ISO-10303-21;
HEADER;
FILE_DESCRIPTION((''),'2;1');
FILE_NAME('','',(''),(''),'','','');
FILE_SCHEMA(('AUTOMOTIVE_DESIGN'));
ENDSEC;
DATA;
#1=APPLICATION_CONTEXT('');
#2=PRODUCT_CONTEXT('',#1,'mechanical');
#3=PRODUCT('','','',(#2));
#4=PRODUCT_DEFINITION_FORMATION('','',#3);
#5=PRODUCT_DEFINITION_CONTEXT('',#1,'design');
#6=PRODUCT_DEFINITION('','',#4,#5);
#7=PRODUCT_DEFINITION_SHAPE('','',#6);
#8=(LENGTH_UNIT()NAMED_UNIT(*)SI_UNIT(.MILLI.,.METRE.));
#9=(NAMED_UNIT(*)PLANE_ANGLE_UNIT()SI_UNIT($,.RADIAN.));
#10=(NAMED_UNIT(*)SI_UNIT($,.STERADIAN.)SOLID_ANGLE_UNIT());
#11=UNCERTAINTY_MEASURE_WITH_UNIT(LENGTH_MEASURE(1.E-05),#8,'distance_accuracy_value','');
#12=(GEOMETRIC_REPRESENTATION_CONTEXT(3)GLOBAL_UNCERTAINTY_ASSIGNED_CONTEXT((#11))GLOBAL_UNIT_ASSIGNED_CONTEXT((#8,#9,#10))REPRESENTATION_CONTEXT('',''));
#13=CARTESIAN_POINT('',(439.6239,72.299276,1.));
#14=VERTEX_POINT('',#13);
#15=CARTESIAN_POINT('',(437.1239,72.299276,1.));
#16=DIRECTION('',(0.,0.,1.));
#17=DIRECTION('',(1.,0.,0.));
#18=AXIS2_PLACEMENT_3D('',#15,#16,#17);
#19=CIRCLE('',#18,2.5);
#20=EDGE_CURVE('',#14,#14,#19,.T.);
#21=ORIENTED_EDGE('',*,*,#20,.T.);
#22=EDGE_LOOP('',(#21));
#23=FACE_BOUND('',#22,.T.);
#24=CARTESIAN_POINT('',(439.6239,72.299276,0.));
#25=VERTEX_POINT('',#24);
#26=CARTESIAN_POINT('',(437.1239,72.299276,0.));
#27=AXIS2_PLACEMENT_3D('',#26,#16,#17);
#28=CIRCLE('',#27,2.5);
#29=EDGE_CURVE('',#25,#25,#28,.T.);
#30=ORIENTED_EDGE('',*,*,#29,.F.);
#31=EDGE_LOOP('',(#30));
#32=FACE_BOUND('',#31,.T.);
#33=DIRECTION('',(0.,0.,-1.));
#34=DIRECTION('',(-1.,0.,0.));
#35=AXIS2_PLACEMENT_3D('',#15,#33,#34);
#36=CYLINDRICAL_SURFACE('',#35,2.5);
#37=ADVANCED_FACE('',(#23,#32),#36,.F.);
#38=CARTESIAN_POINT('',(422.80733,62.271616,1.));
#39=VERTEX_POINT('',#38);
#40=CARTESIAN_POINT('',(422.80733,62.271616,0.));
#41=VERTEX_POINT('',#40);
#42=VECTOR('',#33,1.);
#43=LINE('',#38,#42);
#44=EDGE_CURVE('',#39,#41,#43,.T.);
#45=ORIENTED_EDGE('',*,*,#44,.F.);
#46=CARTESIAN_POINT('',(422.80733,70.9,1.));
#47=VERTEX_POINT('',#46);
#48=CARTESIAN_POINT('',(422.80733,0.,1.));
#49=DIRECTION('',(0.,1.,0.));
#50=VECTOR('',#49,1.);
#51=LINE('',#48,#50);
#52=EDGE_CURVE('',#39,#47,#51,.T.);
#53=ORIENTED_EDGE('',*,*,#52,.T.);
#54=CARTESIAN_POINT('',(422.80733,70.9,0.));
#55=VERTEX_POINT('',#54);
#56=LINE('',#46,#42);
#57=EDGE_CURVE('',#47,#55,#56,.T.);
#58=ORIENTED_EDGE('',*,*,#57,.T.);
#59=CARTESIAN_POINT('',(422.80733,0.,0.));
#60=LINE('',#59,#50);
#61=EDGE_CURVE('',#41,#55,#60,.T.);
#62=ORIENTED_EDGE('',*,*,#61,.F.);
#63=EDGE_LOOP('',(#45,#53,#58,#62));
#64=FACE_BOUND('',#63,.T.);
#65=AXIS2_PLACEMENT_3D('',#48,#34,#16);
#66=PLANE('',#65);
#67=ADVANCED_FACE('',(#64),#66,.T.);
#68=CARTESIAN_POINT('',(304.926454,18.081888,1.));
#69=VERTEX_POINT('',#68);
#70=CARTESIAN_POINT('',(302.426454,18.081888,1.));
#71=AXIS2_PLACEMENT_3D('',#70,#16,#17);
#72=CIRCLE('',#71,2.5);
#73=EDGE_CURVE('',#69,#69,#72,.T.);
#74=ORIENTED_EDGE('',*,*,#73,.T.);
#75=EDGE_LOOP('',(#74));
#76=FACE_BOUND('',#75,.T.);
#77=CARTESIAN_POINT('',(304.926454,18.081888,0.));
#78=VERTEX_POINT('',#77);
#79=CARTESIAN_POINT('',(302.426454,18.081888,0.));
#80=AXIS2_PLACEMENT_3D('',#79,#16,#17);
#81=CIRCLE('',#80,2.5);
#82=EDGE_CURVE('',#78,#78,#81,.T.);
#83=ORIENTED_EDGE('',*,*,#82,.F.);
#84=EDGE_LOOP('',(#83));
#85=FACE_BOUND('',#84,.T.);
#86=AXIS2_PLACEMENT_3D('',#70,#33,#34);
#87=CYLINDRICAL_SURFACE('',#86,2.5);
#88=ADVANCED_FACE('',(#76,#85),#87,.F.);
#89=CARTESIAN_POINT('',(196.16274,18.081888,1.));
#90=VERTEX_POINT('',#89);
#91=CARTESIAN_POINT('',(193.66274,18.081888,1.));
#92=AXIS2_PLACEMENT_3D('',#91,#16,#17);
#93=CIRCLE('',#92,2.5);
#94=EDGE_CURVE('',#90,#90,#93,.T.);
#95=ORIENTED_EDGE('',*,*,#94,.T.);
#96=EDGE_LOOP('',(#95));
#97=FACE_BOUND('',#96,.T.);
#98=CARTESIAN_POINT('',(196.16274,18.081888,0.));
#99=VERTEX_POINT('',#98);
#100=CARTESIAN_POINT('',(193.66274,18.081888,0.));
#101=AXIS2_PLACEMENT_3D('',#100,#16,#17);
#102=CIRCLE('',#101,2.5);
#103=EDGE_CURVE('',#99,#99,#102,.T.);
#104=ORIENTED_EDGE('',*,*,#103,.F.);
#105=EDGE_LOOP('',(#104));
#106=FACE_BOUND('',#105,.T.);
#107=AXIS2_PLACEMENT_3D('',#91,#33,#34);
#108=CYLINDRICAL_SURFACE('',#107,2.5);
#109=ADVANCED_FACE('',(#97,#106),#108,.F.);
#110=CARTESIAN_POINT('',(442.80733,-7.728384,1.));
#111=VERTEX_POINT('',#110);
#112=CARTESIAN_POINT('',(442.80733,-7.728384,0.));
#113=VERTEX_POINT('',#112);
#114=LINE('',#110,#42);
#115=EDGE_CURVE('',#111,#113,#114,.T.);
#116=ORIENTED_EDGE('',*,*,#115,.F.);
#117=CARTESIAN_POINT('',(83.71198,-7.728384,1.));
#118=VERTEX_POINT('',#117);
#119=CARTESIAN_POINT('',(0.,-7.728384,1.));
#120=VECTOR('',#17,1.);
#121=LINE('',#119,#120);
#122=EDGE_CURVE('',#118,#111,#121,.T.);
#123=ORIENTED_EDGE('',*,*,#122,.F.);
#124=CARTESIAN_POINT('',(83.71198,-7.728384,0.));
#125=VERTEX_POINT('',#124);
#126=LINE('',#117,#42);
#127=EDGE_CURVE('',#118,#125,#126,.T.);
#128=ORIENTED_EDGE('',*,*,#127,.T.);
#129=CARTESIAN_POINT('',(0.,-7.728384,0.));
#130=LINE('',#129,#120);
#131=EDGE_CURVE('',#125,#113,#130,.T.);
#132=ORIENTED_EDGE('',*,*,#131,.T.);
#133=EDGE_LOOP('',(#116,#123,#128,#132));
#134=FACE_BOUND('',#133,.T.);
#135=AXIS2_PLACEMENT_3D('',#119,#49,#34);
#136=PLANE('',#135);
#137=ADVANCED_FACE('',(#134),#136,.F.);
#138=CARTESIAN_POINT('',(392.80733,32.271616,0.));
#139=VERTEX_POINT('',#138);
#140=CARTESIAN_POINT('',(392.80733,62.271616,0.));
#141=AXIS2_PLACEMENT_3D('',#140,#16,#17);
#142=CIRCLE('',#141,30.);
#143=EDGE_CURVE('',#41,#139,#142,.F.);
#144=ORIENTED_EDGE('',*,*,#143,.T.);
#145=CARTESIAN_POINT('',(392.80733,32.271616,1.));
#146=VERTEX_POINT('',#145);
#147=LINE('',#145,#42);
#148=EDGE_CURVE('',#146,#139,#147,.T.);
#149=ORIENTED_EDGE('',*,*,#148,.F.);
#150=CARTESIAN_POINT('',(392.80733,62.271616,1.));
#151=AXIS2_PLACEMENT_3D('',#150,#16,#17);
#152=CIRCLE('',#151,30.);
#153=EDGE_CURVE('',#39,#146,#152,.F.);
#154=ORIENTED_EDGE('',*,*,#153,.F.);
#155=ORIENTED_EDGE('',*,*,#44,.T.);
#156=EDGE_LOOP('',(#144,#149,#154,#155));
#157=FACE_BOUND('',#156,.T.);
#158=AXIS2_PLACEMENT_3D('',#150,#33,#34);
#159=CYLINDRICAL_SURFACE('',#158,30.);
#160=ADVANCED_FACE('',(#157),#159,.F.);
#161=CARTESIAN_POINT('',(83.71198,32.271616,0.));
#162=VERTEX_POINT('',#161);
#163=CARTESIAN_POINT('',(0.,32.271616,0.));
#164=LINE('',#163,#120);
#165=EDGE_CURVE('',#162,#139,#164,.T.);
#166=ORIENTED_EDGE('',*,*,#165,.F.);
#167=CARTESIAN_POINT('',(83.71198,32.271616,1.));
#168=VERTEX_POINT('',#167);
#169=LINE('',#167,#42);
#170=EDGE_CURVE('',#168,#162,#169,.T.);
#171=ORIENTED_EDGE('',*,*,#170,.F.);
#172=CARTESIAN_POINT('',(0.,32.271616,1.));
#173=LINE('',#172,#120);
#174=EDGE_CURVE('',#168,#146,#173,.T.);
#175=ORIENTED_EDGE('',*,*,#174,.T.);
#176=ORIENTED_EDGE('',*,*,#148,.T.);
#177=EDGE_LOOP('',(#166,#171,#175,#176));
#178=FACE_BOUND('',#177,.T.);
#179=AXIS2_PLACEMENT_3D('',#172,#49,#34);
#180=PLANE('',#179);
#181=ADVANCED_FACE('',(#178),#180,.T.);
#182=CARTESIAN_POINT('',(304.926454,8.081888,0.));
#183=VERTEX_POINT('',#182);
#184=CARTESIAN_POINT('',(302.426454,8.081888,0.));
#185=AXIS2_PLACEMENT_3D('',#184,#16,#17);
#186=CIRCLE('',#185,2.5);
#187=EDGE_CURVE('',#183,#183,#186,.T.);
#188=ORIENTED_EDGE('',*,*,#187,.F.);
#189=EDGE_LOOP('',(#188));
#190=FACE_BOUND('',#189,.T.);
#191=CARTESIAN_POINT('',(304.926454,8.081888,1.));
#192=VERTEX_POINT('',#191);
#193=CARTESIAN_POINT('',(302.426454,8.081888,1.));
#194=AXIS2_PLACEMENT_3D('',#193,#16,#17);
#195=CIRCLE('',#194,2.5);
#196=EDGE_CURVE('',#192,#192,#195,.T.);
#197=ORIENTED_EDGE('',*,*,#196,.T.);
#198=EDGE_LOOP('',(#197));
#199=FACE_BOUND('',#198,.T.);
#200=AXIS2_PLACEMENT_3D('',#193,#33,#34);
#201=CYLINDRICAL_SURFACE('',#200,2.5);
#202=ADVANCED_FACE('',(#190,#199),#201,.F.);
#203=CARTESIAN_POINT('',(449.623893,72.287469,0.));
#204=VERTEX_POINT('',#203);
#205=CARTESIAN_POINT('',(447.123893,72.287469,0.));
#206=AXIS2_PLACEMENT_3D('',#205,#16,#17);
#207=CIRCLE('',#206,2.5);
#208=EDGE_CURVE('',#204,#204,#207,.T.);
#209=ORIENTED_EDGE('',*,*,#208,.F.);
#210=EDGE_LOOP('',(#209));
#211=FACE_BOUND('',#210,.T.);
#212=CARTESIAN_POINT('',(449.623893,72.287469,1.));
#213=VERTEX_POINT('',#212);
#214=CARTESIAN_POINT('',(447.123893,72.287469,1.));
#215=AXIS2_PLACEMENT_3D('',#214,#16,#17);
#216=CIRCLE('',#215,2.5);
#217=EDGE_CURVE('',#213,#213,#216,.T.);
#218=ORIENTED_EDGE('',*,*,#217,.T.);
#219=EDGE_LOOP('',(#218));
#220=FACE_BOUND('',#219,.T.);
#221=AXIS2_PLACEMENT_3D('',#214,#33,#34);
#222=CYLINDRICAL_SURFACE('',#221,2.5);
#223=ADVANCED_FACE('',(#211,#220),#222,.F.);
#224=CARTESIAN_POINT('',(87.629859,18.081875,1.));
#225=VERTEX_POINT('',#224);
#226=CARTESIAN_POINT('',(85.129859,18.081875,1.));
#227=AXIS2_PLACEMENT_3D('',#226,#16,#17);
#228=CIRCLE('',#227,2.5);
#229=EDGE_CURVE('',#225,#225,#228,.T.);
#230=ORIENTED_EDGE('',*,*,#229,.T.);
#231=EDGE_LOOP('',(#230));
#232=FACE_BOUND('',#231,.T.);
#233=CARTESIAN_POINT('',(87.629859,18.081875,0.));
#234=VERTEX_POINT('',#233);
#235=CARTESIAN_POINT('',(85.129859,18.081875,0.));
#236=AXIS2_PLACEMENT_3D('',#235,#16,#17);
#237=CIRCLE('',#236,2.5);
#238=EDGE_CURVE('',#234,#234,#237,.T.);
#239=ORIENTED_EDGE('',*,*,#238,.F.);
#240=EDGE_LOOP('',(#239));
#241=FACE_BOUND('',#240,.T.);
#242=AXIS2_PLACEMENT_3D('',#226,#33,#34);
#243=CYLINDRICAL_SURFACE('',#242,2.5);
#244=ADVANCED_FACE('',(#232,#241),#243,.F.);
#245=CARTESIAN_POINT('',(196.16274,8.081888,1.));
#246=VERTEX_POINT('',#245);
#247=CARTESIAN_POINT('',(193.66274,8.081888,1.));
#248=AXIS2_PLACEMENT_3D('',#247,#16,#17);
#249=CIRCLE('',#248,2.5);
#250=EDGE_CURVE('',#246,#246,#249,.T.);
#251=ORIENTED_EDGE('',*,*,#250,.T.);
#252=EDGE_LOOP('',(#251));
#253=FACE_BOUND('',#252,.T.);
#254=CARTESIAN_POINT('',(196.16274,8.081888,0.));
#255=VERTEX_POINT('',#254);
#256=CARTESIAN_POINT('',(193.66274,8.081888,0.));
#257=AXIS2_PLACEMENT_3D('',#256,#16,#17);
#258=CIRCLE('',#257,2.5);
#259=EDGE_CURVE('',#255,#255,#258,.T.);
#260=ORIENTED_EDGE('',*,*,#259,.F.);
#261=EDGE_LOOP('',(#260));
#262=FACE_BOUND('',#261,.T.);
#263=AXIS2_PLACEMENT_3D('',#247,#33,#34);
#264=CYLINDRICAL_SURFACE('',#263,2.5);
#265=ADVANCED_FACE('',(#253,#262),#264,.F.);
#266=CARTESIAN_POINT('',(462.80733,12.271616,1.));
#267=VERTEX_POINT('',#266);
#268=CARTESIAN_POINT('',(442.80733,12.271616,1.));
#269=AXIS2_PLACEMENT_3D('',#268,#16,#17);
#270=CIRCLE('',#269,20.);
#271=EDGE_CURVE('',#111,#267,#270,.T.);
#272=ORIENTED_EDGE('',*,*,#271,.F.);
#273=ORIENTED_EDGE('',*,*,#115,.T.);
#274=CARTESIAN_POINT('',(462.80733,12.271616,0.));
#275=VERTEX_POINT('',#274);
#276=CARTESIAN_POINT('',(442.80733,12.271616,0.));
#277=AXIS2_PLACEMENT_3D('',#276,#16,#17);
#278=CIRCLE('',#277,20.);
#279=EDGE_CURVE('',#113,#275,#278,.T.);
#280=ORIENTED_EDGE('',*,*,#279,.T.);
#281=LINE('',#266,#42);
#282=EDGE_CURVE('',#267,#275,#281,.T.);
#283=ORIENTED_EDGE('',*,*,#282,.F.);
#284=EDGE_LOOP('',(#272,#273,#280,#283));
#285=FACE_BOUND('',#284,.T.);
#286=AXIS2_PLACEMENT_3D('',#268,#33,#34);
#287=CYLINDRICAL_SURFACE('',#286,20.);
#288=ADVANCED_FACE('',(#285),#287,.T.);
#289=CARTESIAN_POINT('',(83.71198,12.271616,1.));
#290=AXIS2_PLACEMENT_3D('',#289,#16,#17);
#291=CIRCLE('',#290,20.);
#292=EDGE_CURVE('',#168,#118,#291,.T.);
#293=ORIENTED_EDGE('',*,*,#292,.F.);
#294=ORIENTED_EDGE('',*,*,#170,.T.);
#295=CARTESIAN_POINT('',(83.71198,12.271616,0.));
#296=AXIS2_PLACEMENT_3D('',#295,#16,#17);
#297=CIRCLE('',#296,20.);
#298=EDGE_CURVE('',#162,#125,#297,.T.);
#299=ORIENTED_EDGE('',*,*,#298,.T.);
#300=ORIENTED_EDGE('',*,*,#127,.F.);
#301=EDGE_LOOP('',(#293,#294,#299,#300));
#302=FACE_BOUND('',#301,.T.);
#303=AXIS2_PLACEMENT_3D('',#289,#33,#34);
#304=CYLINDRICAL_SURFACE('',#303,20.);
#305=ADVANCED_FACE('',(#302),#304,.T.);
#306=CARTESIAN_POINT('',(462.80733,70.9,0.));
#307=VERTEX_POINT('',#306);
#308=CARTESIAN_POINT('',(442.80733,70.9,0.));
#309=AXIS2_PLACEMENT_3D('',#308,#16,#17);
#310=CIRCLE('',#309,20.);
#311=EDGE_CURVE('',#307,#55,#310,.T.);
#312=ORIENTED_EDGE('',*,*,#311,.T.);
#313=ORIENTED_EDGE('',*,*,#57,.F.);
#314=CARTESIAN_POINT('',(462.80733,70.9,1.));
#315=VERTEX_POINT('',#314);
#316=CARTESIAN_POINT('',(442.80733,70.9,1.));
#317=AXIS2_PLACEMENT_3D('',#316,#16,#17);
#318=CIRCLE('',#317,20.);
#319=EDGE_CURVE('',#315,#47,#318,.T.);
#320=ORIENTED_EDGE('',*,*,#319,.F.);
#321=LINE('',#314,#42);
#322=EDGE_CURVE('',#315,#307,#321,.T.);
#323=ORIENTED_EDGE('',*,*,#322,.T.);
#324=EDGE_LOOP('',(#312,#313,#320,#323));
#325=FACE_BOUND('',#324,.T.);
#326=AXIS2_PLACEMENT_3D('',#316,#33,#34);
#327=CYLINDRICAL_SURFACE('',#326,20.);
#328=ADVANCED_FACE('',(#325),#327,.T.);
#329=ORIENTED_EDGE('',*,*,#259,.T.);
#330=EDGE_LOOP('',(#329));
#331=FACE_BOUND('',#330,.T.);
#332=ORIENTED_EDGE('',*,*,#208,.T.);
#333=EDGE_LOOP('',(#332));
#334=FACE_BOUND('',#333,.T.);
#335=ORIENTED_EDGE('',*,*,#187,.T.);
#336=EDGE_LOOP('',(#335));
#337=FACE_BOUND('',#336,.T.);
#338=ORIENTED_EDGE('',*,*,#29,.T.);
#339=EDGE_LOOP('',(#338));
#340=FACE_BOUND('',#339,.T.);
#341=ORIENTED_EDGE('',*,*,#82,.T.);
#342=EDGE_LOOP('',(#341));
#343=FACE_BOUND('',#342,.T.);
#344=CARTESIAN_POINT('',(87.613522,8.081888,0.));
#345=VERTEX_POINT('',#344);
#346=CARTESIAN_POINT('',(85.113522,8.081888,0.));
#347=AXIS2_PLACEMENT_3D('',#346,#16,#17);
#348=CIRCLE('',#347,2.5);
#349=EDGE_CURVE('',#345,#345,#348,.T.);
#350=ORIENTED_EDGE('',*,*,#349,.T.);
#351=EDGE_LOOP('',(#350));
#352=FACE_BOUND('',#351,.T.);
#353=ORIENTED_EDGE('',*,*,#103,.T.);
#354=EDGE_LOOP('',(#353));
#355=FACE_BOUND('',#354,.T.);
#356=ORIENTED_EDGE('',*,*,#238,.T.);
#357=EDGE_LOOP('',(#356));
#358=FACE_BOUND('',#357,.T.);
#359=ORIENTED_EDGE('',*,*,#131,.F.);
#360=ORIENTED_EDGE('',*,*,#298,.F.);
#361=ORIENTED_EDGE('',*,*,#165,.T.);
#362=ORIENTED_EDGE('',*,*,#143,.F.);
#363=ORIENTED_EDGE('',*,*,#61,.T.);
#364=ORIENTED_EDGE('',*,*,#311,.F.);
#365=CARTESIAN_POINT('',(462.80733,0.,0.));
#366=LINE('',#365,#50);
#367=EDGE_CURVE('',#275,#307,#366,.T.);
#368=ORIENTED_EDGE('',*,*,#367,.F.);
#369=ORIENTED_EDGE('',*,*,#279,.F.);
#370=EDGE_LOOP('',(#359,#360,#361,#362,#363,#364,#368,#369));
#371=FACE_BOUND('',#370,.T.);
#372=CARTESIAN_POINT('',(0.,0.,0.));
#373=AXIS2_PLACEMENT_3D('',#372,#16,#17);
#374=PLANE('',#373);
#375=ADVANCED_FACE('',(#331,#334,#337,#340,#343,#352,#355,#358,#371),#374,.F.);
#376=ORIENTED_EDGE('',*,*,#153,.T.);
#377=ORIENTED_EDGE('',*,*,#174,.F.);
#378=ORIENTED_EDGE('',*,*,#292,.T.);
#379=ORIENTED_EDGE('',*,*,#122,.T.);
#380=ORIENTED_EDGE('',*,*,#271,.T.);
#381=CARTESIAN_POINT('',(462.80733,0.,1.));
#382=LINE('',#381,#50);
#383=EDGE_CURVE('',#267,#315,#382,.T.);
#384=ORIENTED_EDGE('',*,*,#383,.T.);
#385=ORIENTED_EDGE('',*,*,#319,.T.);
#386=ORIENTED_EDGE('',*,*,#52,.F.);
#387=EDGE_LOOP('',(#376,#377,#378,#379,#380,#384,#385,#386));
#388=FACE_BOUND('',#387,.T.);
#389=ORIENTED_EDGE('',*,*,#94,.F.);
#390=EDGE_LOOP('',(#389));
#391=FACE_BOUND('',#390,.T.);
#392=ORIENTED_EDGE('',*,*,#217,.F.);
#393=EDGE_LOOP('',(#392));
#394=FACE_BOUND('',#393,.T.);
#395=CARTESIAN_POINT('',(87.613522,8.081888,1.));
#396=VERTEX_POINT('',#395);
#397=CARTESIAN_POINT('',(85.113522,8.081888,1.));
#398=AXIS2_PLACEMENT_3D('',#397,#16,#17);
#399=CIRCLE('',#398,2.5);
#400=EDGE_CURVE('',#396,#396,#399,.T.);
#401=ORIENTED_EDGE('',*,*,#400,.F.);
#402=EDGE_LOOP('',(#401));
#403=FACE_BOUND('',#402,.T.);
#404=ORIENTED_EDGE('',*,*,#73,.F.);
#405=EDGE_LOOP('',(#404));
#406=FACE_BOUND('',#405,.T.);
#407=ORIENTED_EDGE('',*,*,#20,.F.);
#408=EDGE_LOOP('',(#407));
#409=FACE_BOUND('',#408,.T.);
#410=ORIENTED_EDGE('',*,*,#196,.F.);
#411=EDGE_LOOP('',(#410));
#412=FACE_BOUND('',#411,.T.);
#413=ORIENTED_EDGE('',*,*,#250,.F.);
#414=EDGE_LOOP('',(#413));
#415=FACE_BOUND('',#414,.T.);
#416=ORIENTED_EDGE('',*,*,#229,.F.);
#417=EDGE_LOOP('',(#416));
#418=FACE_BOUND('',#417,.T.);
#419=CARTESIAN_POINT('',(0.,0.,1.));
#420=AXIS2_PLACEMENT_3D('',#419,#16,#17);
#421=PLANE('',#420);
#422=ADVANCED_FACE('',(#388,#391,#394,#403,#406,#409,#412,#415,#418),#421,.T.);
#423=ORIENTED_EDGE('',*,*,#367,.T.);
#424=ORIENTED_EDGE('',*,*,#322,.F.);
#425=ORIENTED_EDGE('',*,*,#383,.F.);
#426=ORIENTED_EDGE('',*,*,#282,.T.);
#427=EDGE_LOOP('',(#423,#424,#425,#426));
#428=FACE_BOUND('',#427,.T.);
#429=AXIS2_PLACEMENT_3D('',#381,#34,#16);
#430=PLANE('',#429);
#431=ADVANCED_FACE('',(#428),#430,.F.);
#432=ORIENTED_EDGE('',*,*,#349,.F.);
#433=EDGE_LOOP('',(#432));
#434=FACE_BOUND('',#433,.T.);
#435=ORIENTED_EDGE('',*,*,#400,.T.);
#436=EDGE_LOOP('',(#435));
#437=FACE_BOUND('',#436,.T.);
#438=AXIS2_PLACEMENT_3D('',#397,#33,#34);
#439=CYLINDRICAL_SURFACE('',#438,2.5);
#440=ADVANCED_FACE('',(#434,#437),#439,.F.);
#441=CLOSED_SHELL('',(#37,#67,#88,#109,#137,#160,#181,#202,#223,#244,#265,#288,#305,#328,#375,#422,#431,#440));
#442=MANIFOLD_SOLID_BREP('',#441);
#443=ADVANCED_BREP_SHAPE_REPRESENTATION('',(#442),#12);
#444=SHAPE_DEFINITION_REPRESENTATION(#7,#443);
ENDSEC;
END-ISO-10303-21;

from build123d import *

# Parameters (mm, degrees)
SKETCH1_R           = 2.5
BOSS_EXTRUDE1_DEPTH = 1


with BuildPart() as part:
    # Sketch1 → Boss-Extrude1 (new body)
    with BuildSketch(Plane.XY):
        with BuildLine():
            Line((422.807330172, 62.271616139), (422.807330172, 70.9))
            ThreePointArc((422.807330172, 70.9), (442.807330172, 90.9), (462.807330172, 70.9))
            Line((462.807330172, 70.9), (462.807330172, 12.271616139))
            ThreePointArc((462.807330172, 12.271616139), (456.949465796, -1.870519484), (442.807330172, -7.728383861))
            Line((442.807330172, -7.728383861), (83.711980446, -7.728383861))
            ThreePointArc((83.711980446, -7.728383861), (63.711980446, 12.271616139), (83.711980446, 32.271616139))
            Line((83.711980446, 32.271616139), (392.807330172, 32.271616139))
            ThreePointArc((392.807330172, 32.271616139), (414.020533608, 41.058412704), (422.807330172, 62.271616139))
        make_face()
        with Locations((447.123892989, 72.287469358)):
            Circle(SKETCH1_R, mode=Mode.SUBTRACT)
        with Locations((437.123899958, 72.299275742)):
            Circle(SKETCH1_R, mode=Mode.SUBTRACT)
        with Locations((302.426453747, 8.08188805)):
            Circle(SKETCH1_R, mode=Mode.SUBTRACT)
        with Locations((302.426453747, 18.08188805)):
            Circle(SKETCH1_R, mode=Mode.SUBTRACT)
        with Locations((193.662739564, 8.08188805)):
            Circle(SKETCH1_R, mode=Mode.SUBTRACT)
        with Locations((193.662739564, 18.08188805)):
            Circle(SKETCH1_R, mode=Mode.SUBTRACT)
        with Locations((85.113521615, 8.08188805)):
            Circle(SKETCH1_R, mode=Mode.SUBTRACT)
        with Locations((85.129858985, 18.081874704)):
            Circle(SKETCH1_R, mode=Mode.SUBTRACT)
    extrude(amount=BOSS_EXTRUDE1_DEPTH)


solid = part.part
